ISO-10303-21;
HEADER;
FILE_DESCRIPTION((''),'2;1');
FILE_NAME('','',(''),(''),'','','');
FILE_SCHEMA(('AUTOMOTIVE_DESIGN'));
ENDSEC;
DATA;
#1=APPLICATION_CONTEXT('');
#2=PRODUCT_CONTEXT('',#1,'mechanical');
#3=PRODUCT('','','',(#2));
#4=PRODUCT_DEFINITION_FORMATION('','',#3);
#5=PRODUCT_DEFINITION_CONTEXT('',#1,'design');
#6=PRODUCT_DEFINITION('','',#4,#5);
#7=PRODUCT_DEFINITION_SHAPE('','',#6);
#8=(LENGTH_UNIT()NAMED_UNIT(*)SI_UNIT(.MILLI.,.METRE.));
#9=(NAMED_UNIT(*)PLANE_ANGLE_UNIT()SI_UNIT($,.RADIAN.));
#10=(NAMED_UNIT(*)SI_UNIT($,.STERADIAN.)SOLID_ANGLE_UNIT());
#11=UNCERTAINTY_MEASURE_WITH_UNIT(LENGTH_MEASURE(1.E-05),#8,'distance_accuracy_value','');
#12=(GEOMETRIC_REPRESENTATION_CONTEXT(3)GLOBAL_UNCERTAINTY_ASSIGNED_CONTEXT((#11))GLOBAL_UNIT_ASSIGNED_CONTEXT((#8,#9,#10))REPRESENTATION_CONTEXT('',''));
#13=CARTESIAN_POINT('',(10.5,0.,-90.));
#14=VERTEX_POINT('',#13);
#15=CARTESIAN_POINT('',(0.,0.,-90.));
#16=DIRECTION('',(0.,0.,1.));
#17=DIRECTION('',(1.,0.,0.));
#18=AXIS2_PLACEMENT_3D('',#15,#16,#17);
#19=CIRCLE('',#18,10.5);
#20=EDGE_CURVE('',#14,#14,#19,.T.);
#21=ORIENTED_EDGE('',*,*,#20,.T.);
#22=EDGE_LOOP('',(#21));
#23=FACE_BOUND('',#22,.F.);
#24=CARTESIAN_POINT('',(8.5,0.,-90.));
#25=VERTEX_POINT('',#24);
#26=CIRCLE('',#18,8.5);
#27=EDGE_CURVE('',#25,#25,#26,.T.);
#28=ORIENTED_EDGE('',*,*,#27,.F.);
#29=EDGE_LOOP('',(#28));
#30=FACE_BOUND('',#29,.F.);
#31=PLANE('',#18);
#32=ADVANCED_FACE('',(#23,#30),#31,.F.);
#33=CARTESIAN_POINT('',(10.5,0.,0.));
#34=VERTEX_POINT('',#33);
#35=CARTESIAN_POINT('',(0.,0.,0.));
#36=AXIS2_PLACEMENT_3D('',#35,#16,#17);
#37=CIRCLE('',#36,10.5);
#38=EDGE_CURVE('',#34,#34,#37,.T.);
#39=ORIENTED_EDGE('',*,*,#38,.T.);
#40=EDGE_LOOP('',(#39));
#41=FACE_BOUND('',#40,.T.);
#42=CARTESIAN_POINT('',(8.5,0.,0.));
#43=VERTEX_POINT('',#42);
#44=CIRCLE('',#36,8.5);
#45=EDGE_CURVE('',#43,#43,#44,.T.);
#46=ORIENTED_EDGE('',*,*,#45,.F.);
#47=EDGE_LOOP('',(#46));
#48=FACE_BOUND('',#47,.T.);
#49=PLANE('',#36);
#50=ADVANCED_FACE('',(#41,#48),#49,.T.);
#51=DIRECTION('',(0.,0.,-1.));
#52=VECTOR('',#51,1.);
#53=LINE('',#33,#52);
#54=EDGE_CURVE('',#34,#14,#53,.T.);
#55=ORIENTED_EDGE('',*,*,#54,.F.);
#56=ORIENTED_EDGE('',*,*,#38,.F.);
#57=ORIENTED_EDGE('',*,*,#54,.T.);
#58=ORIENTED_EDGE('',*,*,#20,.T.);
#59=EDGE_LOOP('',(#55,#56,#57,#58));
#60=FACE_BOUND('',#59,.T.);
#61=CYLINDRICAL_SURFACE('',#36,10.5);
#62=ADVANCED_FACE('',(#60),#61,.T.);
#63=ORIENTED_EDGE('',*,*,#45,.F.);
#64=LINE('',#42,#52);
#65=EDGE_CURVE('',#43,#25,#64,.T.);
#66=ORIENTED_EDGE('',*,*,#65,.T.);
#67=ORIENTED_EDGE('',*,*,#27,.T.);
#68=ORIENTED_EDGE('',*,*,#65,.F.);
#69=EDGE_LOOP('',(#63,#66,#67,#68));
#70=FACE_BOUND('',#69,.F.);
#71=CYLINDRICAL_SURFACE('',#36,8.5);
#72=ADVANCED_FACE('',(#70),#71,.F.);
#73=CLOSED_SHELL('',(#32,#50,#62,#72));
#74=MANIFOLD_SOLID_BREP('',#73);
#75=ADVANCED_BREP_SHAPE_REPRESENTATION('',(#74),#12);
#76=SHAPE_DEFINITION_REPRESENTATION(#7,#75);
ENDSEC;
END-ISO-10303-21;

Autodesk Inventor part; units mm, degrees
ref_plane "YZ Plane" through (0, 0, 0) normal (1, 0, 0) x (0, 1, 0)
ref_plane "XZ Plane" through (0, 0, 0) normal (0, 1, 0) x (-1, 0, 0)
ref_plane "XY Plane" through (0, 0, 0) normal (0, 0, 1) x (1, 0, 0)
sketch "Sketch11" plane through (0, 0, 0) normal (0, 0, 1) x (1, 0, 0)
  circle A0 centre (0, 0) radius 10.5
  circle A1 centre (0, 0) radius 8.5
  dimension "d187" = 21
  dimension "d188" = 2
extrude "Extrusion5" add sketch "Sketch11" against normal blind 90
properties part number "PNS 758 FDS 1200 way tube 6" material "Stainless Steel"
